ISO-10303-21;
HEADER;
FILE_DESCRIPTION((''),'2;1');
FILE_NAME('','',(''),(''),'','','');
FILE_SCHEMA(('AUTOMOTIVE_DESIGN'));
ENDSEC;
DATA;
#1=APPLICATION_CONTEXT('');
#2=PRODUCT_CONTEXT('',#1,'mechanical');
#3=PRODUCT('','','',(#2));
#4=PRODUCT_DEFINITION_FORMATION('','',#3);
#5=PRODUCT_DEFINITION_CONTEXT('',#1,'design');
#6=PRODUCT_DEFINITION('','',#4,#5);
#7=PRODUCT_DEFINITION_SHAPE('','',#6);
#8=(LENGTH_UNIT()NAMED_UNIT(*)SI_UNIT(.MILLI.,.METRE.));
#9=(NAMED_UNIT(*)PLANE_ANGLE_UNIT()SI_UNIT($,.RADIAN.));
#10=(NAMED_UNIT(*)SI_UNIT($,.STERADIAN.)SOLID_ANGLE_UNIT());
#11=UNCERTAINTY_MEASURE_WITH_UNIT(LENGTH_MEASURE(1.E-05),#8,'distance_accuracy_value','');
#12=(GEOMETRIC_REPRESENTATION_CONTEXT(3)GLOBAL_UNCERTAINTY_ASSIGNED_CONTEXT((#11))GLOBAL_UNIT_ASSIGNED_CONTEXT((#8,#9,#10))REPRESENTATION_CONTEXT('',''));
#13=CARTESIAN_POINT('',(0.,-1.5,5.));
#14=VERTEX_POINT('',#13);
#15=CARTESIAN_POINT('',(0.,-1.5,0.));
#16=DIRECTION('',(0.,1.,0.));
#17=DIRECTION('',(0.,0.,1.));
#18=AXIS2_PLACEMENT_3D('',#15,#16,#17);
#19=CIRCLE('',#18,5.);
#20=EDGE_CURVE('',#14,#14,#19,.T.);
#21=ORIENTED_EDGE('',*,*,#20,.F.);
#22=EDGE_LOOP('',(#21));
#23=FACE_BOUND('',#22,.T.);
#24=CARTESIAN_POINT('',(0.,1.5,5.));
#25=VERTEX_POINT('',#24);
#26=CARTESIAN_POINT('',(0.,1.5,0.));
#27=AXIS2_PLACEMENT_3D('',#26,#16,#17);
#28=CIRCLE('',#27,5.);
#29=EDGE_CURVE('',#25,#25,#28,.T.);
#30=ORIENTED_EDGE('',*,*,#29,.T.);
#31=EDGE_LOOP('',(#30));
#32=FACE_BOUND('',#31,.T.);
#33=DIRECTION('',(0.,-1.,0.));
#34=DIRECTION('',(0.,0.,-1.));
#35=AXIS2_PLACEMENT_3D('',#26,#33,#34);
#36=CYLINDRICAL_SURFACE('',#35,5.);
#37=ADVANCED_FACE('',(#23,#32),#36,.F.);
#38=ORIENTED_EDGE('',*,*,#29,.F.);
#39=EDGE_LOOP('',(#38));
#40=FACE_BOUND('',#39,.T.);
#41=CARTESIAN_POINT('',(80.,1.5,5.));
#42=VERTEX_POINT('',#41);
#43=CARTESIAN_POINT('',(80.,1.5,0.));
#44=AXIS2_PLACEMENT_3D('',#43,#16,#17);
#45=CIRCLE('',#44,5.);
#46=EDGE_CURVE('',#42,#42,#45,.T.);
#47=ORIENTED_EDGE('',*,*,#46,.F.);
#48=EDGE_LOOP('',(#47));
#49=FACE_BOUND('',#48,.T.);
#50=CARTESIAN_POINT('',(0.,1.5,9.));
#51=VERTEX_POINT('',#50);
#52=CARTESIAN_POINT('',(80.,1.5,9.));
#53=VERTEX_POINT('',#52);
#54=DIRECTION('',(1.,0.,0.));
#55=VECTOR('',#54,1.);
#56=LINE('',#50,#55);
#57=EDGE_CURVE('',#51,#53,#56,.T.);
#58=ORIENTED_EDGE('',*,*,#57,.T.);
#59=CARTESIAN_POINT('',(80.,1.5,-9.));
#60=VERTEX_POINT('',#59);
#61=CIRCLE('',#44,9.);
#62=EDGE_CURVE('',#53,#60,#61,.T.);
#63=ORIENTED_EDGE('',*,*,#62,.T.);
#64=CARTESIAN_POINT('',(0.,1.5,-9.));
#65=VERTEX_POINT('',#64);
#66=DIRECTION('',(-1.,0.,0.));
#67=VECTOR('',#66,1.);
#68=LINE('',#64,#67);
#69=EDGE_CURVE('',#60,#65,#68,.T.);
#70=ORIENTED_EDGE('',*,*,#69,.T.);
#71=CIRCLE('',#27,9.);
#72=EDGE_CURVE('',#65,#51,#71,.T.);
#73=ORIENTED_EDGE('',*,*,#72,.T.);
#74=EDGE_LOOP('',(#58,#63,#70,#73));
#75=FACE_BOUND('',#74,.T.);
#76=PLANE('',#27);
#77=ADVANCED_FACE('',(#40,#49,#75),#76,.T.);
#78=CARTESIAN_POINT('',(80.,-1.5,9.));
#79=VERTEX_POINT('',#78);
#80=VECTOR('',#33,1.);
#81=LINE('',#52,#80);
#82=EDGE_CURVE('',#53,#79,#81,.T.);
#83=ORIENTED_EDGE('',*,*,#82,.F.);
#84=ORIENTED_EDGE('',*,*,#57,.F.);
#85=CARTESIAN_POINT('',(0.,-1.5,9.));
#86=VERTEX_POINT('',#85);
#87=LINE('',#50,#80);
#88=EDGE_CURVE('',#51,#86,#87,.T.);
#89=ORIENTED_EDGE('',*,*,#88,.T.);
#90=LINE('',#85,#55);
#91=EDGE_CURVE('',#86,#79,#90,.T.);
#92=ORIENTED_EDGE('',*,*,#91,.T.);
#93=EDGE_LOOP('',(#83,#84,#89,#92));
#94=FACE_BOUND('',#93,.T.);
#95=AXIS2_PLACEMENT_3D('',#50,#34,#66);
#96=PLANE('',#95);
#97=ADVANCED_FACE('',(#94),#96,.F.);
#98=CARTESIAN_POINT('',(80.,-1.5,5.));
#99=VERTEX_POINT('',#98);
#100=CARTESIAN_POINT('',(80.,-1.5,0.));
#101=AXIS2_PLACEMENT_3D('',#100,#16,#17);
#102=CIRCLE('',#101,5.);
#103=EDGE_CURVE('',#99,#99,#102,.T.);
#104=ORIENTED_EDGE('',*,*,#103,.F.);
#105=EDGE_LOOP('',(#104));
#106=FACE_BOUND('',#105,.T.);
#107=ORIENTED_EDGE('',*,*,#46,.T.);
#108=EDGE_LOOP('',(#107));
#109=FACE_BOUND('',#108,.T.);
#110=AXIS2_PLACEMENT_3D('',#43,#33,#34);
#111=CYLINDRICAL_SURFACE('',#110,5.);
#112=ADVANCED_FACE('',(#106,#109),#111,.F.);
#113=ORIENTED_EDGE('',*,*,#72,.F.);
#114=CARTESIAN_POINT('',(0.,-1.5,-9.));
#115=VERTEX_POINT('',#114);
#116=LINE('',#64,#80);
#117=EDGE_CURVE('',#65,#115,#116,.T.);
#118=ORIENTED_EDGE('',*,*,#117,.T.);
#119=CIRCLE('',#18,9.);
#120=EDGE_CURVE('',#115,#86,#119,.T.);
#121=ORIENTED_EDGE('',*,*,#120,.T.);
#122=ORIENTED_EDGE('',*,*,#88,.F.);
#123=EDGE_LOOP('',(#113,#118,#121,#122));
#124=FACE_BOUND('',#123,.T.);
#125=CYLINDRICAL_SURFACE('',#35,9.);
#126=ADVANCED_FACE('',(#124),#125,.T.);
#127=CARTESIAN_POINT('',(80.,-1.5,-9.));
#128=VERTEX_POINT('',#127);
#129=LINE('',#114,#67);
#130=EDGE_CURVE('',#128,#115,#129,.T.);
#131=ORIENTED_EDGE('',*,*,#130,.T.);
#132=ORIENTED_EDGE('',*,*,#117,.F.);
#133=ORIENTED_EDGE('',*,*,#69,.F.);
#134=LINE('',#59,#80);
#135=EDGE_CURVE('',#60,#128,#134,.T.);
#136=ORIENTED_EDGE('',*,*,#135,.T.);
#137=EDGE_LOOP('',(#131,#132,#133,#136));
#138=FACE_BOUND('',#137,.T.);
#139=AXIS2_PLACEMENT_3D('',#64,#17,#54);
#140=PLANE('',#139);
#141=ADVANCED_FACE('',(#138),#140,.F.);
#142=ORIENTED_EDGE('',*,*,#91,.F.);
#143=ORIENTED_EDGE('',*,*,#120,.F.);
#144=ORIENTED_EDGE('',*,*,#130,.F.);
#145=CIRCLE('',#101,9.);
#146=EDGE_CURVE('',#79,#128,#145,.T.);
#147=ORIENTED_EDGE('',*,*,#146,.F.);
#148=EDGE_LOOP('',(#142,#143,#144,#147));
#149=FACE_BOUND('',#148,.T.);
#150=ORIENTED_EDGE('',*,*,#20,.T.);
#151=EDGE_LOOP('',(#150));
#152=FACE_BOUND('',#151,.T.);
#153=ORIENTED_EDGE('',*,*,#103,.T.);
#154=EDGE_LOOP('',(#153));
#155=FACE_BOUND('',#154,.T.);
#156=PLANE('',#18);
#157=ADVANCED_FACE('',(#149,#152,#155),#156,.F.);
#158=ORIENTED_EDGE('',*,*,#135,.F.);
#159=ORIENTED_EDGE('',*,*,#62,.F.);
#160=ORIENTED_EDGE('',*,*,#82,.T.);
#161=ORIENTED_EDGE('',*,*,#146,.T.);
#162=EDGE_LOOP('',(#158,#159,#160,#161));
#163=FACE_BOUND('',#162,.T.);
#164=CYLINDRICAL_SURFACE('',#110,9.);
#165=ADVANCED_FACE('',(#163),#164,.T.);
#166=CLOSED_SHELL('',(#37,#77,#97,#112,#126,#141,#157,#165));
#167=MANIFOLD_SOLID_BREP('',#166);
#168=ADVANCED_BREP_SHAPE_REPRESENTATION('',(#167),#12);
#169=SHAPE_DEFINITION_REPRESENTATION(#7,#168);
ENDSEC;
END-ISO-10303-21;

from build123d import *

# Parameters (mm, degrees)
SKETCH1_R           = 5
BOSS_EXTRUDE1_DEPTH = 1.5


with BuildPart() as part:
    # Sketch1 → Boss-Extrude1 (new, symmetric)
    with BuildSketch(Plane(origin=(0, 0, 0), x_dir=(1, 0, 0), z_dir=(0, 1, 0))):
        with BuildLine():
            Line((0, 9), (80, 9))
            ThreePointArc((80, 9), (89, 0), (80, -9))
            Line((80, -9), (0, -9))
            ThreePointArc((0, -9), (-9, 0), (0, 9))
        make_face()
        with Locations(Location((0, 0, 0), (0, 0, 270))):
            Circle(SKETCH1_R, mode=Mode.SUBTRACT)
        with Locations(Location((80, 0, 0), (0, 0, 270))):
            Circle(SKETCH1_R, mode=Mode.SUBTRACT)
    extrude(amount=BOSS_EXTRUDE1_DEPTH, both=True)


solid = part.part
